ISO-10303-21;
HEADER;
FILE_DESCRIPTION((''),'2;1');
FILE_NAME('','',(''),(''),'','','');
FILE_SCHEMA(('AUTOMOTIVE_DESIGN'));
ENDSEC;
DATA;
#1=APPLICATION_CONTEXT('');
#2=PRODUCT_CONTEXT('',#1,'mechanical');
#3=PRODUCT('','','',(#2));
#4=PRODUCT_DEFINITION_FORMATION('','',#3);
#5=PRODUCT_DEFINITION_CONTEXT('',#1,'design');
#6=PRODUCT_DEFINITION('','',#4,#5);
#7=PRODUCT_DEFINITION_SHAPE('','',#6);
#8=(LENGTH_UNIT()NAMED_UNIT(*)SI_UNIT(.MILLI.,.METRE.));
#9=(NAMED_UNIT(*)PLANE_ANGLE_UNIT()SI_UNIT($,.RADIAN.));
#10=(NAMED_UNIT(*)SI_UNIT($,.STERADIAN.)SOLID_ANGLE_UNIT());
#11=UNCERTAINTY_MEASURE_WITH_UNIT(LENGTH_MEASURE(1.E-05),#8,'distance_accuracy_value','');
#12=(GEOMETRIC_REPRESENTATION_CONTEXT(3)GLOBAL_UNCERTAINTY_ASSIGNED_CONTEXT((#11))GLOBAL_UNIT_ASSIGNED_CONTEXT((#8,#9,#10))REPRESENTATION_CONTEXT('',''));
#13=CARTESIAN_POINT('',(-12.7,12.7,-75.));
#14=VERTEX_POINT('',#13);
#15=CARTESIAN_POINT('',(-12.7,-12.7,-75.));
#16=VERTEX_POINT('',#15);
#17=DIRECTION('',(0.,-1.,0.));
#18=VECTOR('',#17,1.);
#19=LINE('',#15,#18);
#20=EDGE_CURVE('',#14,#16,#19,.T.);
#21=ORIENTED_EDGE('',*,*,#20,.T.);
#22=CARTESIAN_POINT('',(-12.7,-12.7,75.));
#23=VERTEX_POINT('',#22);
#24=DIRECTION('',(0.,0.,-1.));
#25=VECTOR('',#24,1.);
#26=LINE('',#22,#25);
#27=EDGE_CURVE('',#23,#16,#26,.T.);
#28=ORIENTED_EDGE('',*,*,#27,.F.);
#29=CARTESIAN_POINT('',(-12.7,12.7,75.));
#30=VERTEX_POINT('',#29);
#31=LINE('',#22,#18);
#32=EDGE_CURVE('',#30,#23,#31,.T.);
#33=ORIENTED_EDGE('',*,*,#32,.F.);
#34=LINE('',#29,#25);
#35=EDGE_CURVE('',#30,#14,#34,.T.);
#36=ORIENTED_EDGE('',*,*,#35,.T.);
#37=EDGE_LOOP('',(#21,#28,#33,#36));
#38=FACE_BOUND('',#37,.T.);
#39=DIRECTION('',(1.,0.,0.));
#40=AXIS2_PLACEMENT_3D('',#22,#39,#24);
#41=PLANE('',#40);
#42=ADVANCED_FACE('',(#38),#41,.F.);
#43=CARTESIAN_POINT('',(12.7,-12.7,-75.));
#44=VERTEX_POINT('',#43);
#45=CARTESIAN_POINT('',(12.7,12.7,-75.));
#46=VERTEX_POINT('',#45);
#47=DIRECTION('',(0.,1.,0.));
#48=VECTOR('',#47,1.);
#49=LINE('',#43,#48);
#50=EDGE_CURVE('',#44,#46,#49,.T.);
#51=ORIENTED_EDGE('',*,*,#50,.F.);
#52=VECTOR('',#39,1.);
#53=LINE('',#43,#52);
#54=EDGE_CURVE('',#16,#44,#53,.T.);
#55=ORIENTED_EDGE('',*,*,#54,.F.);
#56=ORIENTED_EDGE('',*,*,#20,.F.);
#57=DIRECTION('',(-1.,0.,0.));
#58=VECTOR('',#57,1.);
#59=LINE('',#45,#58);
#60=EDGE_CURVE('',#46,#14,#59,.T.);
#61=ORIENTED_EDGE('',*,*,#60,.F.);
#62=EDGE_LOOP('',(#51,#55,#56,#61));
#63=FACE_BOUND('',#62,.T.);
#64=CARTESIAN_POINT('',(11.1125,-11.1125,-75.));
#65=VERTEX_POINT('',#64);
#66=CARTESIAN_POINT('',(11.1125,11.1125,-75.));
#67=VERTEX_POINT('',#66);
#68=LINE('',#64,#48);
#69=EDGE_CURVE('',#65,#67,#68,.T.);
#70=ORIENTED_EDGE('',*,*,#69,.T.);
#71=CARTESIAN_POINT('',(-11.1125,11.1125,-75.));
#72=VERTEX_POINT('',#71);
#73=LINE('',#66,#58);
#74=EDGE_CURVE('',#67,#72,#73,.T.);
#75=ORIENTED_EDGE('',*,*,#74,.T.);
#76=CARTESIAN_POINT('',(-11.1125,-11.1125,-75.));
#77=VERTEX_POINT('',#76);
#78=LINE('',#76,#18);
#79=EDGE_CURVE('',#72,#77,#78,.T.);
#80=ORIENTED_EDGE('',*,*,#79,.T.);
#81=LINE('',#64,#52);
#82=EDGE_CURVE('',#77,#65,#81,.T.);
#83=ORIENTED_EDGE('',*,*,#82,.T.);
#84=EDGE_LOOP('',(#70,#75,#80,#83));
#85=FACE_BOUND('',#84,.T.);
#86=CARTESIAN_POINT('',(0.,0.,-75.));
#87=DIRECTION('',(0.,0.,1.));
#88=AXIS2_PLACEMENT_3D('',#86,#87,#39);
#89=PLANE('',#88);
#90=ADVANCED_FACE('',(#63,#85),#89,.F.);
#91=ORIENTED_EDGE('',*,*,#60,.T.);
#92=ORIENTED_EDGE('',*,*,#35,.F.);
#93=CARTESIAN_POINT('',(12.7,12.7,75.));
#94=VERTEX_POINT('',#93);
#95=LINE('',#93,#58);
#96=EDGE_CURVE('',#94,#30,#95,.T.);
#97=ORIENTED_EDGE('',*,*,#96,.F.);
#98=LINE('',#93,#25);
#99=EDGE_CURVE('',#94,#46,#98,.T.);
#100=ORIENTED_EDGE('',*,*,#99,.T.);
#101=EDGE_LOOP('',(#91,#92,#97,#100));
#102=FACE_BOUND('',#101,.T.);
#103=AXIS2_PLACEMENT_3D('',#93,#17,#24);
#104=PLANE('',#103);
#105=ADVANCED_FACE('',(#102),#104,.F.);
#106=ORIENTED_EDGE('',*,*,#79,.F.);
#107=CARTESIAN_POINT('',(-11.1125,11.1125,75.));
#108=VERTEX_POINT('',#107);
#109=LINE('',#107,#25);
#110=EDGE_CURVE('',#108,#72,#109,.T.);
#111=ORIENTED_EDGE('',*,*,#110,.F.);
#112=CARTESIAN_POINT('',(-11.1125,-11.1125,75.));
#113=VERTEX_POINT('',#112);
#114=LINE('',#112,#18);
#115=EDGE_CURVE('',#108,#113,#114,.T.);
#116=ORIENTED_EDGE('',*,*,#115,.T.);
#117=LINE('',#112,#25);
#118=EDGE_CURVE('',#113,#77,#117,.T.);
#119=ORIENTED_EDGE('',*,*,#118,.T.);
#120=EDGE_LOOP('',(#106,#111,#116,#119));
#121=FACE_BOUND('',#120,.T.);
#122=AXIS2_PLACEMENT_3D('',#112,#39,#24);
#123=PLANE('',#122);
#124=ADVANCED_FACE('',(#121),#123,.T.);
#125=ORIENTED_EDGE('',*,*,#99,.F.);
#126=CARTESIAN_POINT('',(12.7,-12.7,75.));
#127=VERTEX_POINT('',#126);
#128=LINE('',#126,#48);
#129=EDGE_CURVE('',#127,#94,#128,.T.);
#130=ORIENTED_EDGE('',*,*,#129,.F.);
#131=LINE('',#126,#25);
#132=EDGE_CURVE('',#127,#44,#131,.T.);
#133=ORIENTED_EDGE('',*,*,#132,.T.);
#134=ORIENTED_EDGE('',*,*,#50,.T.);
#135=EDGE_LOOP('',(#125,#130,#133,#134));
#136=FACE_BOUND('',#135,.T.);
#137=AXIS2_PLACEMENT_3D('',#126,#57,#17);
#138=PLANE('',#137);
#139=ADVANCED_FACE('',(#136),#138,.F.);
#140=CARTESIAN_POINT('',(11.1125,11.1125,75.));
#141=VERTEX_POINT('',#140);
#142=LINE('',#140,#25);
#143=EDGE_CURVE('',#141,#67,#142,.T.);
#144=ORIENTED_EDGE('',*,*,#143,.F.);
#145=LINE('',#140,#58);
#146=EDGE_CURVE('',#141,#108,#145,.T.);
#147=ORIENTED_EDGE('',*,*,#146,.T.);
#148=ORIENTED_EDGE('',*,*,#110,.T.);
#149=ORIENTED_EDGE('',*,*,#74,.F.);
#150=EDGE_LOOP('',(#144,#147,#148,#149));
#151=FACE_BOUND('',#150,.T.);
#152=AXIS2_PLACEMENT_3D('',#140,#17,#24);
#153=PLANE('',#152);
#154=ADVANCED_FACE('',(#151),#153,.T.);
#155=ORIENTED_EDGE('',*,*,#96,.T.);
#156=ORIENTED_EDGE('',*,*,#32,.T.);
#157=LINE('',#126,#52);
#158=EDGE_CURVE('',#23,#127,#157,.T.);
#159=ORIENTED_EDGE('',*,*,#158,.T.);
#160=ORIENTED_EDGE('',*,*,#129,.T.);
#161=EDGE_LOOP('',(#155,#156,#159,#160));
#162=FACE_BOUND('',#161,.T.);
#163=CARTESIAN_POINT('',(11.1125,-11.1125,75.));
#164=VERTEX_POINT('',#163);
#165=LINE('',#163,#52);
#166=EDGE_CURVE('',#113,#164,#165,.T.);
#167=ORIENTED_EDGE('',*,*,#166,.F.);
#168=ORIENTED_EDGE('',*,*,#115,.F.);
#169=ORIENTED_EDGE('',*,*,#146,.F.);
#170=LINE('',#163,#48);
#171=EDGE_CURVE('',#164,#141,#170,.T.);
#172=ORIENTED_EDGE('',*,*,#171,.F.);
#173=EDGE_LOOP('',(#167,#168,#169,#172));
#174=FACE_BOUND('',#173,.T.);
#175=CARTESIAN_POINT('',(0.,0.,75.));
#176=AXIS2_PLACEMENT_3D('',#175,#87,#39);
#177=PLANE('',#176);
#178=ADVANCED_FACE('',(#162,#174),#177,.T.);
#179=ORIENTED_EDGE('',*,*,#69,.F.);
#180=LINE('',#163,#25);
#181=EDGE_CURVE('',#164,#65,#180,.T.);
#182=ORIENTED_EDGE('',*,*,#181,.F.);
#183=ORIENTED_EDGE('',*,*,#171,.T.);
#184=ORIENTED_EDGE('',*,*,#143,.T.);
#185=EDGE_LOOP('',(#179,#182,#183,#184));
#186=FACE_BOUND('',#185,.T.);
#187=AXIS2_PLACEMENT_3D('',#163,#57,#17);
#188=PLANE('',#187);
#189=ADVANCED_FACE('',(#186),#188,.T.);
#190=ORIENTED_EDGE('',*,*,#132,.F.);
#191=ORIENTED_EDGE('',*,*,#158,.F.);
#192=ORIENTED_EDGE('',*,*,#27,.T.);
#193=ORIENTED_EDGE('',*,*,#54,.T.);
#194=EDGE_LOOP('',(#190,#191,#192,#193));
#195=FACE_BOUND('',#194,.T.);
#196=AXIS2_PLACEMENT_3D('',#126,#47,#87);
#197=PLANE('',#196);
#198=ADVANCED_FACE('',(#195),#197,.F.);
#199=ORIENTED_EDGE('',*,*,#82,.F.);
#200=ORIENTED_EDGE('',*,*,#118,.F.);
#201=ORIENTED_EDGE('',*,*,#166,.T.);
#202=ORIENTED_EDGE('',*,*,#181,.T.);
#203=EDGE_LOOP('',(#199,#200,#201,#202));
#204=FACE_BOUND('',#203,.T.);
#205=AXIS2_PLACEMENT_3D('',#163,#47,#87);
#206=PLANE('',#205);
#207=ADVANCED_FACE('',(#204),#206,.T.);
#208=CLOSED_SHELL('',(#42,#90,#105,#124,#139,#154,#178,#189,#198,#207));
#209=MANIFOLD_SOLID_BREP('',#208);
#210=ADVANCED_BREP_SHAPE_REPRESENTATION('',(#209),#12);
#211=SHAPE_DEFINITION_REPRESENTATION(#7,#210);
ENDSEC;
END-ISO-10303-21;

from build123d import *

# Parameters (mm, degrees)
SKETCH1_W           = 25.4
SKETCH1_H           = 25.4
SKETCH1_W_2         = 22.225
SKETCH1_H_2         = 22.225
BOSS_EXTRUDE1_DEPTH = 75


with BuildPart() as part:
    # Sketch1 → Boss-Extrude1 (new, symmetric)
    with BuildSketch(Plane.XY):
        Rectangle(SKETCH1_W, SKETCH1_H)
        Rectangle(SKETCH1_W_2, SKETCH1_H_2, mode=Mode.SUBTRACT)
    extrude(amount=BOSS_EXTRUDE1_DEPTH, both=True)


solid = part.part
